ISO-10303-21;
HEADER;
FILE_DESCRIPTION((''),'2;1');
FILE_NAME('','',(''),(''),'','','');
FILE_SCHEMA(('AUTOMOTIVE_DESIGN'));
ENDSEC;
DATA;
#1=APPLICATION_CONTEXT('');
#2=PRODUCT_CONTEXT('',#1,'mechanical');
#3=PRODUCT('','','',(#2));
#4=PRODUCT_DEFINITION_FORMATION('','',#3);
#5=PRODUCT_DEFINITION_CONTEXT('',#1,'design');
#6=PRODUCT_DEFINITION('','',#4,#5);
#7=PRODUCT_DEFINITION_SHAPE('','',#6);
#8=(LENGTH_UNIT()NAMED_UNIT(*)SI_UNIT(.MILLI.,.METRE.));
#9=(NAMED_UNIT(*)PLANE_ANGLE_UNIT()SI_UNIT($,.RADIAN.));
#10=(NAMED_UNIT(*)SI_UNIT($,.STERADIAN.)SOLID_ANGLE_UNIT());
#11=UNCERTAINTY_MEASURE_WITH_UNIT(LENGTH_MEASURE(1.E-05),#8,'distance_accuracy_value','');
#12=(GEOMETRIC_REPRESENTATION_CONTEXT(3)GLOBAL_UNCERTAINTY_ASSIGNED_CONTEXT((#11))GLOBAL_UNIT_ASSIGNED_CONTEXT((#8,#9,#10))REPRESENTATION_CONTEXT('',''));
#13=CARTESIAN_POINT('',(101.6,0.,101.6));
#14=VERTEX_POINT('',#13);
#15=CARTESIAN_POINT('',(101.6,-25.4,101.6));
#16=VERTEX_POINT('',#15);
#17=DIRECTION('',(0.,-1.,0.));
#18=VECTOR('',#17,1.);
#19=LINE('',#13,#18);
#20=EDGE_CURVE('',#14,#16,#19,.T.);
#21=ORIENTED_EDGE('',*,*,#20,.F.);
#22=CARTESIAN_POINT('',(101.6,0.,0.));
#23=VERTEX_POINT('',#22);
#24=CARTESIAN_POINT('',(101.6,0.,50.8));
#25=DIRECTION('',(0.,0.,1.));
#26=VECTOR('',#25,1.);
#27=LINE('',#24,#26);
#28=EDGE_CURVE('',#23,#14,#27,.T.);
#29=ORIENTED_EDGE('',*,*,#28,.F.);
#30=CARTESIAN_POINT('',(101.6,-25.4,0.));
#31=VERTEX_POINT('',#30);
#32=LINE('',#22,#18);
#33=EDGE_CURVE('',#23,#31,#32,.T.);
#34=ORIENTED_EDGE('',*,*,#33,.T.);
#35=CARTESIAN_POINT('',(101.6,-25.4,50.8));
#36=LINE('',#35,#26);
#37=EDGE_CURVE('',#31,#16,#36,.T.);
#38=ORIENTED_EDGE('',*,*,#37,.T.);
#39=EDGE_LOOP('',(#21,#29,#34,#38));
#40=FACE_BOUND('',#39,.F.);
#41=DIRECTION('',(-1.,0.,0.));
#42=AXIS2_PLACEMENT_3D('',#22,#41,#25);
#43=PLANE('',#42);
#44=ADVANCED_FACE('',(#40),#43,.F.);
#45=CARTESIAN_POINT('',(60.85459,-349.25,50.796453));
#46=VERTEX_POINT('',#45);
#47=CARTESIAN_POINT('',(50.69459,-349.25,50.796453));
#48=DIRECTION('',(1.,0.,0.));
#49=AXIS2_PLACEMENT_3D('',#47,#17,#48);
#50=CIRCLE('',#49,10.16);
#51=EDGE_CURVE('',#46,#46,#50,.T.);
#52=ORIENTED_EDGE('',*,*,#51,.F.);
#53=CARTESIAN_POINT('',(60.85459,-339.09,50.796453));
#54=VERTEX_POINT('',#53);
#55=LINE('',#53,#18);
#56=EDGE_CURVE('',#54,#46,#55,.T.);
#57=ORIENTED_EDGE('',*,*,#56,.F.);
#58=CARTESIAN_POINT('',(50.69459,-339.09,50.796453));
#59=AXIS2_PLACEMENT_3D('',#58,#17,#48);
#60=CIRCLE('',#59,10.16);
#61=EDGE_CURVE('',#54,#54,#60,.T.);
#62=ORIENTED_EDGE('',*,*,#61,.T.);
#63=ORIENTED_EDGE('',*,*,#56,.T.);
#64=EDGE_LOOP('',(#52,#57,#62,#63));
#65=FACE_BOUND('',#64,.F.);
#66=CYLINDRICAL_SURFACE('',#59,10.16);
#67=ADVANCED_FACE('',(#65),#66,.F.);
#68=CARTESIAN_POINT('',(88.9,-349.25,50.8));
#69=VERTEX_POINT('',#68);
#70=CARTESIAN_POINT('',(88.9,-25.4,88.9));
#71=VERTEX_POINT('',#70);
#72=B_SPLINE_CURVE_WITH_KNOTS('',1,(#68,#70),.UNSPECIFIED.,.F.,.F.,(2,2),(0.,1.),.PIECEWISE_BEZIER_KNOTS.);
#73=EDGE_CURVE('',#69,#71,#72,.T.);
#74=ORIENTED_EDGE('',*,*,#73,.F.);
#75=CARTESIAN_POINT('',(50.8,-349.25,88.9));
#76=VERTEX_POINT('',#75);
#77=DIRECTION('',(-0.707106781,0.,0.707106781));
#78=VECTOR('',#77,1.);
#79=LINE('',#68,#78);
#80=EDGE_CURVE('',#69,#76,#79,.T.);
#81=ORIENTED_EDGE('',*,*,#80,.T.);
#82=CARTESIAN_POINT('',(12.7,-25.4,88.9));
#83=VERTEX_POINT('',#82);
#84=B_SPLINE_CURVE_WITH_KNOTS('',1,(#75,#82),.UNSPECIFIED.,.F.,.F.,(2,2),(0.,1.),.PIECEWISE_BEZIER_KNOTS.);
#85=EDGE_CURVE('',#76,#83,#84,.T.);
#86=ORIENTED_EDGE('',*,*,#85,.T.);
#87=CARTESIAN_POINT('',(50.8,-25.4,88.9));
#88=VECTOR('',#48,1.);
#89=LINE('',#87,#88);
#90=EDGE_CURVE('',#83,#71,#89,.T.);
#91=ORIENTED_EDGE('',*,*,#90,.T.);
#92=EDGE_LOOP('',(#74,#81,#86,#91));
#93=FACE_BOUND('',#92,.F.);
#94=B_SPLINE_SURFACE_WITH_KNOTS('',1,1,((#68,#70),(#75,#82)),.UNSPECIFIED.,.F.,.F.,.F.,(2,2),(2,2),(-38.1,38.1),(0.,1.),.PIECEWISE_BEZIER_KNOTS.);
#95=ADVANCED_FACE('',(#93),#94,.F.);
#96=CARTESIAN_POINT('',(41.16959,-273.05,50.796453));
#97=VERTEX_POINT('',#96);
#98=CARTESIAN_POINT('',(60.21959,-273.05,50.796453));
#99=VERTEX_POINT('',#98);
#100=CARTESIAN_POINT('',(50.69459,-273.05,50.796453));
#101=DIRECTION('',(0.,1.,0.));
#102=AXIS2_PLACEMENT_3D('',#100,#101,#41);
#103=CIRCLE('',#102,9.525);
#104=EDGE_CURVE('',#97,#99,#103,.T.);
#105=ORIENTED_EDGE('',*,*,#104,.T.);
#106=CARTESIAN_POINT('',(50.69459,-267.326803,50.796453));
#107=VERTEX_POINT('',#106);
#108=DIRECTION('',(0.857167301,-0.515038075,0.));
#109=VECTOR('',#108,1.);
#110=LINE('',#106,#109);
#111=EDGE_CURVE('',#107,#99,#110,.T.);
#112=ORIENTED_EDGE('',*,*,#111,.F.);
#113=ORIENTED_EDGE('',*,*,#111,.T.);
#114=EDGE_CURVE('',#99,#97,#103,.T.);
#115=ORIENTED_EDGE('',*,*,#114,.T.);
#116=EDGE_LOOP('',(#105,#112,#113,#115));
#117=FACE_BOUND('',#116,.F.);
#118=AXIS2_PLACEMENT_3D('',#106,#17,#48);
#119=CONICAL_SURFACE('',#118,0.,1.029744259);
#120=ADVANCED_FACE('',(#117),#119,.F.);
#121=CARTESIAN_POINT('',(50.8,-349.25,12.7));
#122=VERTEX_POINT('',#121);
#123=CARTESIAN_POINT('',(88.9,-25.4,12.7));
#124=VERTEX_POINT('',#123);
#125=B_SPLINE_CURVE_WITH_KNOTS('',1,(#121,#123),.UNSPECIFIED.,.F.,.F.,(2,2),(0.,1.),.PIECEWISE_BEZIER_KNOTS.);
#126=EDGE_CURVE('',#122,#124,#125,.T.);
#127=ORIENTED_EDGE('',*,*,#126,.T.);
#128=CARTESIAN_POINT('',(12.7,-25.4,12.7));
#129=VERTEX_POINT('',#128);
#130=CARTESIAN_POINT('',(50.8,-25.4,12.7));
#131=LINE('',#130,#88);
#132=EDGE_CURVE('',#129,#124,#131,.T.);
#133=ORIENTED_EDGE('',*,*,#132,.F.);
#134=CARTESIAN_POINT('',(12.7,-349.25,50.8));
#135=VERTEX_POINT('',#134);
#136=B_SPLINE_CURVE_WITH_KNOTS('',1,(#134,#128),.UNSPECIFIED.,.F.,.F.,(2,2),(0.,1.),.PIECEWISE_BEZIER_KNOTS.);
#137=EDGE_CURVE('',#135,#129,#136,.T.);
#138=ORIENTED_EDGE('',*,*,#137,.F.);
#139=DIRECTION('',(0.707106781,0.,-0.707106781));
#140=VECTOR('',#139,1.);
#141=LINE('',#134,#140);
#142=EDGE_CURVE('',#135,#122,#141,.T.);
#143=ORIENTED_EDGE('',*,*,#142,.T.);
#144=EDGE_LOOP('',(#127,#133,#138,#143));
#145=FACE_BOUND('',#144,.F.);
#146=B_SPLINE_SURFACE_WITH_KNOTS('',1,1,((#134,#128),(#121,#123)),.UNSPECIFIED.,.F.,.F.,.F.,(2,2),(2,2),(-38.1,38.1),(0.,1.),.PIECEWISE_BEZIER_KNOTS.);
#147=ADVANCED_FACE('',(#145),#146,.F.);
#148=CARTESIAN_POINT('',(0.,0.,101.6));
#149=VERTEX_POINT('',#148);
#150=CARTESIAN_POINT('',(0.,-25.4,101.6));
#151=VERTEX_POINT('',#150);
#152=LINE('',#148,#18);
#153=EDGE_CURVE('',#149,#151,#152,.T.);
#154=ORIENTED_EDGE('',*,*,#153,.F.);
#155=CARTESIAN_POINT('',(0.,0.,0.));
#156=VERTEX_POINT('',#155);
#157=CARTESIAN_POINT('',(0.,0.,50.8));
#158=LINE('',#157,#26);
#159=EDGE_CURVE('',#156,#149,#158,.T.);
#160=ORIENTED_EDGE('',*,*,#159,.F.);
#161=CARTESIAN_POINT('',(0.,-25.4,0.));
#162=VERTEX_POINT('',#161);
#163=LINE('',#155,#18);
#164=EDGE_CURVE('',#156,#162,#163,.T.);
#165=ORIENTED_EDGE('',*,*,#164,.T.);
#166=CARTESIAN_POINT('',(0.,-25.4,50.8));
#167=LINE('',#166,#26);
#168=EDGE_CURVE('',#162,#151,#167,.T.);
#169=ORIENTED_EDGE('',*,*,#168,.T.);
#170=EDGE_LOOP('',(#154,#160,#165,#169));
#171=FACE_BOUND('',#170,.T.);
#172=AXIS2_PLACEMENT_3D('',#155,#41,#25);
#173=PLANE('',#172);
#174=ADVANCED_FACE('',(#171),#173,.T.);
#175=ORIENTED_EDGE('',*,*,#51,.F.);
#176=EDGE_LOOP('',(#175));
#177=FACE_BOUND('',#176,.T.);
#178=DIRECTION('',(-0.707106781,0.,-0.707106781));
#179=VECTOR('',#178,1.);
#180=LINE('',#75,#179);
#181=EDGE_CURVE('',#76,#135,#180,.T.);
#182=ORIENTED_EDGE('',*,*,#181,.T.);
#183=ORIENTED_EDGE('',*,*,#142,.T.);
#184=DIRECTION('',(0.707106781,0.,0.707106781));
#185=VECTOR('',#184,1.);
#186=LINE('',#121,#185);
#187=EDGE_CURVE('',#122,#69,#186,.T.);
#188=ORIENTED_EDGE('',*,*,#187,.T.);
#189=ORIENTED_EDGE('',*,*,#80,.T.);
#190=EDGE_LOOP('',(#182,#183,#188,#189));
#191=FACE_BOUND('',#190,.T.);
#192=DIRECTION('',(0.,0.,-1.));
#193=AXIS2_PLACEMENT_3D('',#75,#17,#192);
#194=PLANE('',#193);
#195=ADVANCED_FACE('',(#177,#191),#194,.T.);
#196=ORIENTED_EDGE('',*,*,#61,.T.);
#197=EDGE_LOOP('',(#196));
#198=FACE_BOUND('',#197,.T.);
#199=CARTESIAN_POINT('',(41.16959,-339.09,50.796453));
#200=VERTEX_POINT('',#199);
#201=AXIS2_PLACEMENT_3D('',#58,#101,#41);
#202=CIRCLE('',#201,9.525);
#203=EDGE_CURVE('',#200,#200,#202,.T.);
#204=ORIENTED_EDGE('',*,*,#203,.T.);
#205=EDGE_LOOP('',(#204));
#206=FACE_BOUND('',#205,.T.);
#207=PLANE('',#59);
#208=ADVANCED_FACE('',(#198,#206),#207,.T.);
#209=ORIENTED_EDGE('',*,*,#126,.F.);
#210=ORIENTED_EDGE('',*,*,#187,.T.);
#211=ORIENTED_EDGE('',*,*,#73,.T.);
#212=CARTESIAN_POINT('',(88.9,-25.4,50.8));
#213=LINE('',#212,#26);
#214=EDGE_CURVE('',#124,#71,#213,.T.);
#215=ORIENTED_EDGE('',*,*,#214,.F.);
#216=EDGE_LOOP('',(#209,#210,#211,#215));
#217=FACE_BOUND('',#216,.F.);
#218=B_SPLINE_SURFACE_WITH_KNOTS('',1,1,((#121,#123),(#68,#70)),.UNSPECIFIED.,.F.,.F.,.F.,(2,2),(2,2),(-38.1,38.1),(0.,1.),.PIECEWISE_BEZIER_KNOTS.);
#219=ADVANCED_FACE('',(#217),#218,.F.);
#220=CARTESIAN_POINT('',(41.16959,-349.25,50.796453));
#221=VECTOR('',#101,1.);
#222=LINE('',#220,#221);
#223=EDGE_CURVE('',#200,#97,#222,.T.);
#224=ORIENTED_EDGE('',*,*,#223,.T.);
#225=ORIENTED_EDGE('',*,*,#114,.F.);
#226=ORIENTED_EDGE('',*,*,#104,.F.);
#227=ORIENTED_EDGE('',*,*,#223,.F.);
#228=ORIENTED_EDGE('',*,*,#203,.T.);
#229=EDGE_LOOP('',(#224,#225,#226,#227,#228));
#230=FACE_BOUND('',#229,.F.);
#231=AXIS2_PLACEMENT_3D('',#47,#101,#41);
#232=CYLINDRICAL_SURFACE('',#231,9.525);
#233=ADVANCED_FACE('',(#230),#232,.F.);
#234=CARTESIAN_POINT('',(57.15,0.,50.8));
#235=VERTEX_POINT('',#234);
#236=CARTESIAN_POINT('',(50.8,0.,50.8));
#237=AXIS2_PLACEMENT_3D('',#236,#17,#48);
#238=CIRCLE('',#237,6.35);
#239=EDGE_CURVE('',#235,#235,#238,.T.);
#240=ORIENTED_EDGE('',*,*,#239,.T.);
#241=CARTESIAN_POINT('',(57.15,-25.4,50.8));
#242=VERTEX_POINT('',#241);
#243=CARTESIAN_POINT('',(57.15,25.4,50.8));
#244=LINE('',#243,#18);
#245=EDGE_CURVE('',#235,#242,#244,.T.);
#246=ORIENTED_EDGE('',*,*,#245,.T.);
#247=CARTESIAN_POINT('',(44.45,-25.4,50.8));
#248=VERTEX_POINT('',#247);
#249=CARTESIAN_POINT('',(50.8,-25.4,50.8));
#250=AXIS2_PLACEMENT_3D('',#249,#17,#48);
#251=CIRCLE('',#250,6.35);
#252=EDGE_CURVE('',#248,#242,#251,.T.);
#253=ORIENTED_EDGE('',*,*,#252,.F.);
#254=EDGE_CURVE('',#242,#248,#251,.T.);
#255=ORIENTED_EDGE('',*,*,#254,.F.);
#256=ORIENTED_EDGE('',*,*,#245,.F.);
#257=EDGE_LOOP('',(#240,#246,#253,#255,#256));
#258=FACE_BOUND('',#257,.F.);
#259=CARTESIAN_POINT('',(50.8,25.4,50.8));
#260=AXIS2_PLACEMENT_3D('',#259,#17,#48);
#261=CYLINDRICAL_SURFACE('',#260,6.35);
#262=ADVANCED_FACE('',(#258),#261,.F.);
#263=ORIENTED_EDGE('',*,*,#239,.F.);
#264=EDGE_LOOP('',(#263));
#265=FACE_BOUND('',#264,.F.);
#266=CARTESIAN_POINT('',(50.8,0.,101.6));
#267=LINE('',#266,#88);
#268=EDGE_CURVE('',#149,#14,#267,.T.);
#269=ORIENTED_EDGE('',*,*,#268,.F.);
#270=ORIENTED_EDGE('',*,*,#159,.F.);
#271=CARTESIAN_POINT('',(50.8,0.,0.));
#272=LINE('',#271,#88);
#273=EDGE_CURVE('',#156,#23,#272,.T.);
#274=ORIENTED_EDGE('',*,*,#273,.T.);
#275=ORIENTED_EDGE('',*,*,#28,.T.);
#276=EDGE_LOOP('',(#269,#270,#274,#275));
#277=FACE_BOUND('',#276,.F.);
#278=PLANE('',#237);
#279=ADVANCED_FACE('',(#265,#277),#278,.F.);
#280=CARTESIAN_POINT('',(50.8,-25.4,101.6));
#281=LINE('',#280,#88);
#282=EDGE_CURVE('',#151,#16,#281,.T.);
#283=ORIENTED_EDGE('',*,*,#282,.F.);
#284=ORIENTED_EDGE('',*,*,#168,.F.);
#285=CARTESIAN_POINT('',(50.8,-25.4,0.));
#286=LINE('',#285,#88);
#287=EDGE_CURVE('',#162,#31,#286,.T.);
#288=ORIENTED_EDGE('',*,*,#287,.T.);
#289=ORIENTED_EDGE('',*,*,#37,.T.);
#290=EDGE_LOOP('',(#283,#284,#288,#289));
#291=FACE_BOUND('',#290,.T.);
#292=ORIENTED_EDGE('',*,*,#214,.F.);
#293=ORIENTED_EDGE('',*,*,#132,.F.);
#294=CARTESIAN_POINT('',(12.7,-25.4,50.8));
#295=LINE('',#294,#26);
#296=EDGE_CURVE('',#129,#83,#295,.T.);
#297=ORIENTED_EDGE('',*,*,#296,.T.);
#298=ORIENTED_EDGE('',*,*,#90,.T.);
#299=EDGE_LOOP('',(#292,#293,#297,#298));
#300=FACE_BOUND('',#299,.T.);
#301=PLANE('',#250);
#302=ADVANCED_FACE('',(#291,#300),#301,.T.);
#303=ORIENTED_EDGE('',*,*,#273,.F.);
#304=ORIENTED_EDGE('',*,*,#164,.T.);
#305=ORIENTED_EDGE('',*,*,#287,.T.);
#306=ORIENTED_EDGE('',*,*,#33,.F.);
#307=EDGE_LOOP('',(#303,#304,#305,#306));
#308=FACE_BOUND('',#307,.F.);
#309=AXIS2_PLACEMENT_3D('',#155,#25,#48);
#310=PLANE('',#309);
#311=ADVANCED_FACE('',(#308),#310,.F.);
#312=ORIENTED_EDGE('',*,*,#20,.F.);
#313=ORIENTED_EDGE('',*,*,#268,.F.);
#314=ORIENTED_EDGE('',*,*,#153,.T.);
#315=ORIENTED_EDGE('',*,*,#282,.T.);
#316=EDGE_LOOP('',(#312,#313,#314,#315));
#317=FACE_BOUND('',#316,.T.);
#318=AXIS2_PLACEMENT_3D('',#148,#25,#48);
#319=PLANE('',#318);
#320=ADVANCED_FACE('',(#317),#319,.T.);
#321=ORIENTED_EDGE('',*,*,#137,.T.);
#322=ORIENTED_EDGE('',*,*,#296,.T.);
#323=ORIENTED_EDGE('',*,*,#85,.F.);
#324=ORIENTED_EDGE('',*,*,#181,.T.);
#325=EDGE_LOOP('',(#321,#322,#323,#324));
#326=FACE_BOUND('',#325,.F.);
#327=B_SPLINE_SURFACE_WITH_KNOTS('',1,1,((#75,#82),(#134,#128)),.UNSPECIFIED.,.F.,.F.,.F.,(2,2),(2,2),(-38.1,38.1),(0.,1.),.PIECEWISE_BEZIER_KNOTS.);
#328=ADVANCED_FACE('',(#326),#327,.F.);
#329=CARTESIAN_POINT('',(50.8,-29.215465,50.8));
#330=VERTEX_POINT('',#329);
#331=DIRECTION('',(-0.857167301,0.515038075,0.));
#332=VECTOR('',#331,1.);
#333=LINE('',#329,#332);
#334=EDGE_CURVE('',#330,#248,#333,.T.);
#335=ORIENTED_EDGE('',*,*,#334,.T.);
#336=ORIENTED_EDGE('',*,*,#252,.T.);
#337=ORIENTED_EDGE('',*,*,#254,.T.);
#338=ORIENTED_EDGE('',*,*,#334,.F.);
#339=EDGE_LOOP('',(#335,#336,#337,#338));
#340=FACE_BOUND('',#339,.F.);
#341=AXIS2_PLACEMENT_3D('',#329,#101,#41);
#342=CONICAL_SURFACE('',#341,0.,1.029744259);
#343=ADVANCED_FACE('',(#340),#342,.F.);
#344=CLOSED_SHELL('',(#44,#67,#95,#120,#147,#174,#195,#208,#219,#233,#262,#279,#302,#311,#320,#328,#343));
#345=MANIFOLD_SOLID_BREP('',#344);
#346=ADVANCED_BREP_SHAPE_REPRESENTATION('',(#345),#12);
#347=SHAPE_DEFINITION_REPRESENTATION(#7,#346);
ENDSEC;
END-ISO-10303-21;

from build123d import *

# Parameters (mm, degrees)
F0_W           = 101.6
F0_H           = 101.6
F1_DEPTH       = 25.4
F2_W           = 76.2
F2_H           = 76.2
F7_D           = 12.7
F7_DEPTH       = 25.4
F7_TIP         = 3.8154649308
F9_D           = 19.05
F9_DEPTH       = 76.2
F9_CBORE_D     = 20.32
F9_CBORE_DEPTH = 10.16
F9_TIP         = 5.7231973962


with BuildPart() as f1:
    # F0 (on Front) → F1 (new body)
    with BuildSketch(Plane.XZ):
        with Locations((50.8, 50.8)):
            Rectangle(F0_W, F0_H)
    extrude(amount=F1_DEPTH)

    # F4 (on offset) → F5 section 0
    with BuildSketch(Plane.XZ.offset(349.25)):
        Polygon((50.8, 88.9), (12.7, 50.8), (50.8, 12.7), (88.9, 50.8), align=None)
    # F2 (on face) → F5 section 1
    with BuildSketch(Plane.XZ.offset(25.4)):
        with Locations((50.8, 50.8)):
            Rectangle(F2_W, F2_H)
    loft()

    # F7
    with Locations(Plane(origin=(0, 0, 0), x_dir=(-1, 0, 0), z_dir=(0, 1, 0))):
        with Locations((-50.8, 50.8)):
            Hole(F7_D / 2, depth=F7_DEPTH)
            with Locations((0, 0, -(F7_DEPTH + F7_TIP / 2))):  # 118° drill point
                Cone(0, F7_D / 2, F7_TIP, mode=Mode.SUBTRACT)

    # F9
    with Locations(Plane.XZ.offset(349.25)):
        with Locations((50.6945904344, 50.7964529097)):
            CounterBoreHole(F9_D / 2, F9_CBORE_D / 2, F9_CBORE_DEPTH, depth=F9_DEPTH)
            with Locations((0, 0, -(F9_DEPTH + F9_TIP / 2))):  # 118° drill point
                Cone(0, F9_D / 2, F9_TIP, mode=Mode.SUBTRACT)


solid = f1.part
